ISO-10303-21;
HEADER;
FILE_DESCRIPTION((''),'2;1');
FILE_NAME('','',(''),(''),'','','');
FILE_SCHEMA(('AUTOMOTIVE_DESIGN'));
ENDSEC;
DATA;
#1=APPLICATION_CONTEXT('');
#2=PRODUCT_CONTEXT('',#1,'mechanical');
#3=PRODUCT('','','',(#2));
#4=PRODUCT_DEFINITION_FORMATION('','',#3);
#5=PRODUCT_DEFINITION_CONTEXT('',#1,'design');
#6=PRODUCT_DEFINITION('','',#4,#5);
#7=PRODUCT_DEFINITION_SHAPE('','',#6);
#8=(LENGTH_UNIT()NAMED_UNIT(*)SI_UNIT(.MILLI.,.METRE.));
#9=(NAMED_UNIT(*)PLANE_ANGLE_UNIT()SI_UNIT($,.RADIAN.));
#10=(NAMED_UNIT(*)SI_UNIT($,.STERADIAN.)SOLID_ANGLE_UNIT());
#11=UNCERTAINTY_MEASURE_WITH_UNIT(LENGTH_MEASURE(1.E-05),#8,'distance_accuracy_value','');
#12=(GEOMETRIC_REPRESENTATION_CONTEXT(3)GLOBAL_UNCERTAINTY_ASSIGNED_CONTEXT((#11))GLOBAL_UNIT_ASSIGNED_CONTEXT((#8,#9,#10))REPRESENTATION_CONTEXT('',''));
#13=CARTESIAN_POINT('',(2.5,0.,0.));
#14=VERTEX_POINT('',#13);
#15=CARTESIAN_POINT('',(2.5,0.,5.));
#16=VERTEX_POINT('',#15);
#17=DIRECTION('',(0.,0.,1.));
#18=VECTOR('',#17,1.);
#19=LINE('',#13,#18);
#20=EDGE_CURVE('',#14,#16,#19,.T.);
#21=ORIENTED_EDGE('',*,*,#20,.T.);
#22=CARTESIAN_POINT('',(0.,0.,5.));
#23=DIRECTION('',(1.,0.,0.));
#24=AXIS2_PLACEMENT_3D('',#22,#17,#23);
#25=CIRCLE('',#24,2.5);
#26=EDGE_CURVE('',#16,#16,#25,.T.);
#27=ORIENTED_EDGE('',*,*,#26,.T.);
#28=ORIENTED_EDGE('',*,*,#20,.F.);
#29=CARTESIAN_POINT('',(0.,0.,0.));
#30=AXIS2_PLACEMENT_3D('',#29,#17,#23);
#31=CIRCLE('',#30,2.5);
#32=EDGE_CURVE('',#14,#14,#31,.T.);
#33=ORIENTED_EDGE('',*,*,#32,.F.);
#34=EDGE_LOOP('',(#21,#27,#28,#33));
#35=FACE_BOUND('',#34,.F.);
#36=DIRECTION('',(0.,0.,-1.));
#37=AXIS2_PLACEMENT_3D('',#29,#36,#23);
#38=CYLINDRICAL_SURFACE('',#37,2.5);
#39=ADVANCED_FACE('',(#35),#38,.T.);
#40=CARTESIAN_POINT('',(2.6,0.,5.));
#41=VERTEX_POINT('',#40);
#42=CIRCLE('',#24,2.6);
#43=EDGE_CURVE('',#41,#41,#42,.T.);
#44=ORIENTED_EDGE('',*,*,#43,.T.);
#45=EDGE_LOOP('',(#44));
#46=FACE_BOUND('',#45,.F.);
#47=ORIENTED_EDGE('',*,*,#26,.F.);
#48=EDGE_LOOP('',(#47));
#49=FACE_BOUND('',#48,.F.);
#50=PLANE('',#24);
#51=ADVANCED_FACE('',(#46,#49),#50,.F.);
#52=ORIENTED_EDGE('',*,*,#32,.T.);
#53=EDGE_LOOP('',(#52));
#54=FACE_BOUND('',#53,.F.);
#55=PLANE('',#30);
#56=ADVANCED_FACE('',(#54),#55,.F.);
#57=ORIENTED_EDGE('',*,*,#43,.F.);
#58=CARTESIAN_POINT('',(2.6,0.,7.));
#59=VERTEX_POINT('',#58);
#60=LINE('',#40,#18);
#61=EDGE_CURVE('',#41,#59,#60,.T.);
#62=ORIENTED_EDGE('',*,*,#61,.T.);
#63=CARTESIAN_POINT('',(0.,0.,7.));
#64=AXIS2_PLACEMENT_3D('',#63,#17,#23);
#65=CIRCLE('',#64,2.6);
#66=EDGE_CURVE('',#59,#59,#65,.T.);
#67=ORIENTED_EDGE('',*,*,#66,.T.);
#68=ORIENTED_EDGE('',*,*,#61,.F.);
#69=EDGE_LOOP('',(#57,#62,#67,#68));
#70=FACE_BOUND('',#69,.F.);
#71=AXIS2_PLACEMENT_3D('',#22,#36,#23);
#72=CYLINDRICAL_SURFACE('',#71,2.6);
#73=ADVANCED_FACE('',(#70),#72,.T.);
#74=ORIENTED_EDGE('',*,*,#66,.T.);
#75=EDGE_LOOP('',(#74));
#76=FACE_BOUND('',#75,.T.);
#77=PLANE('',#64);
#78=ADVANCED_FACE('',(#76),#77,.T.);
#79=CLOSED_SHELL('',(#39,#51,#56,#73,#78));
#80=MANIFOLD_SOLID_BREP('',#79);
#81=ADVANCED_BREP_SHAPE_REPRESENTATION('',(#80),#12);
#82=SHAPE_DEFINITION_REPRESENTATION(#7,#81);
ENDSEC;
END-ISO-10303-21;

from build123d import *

# Parameters (mm, degrees)
CYLINDER065_R     = 2.6
CYLINDER065_DEPTH = 2
CYLINDER064_R     = 2.5
CYLINDER064_DEPTH = 5


with BuildPart() as cilindro065:
    # Cylinder065 → Cylinder065 (new body)
    with BuildSketch(Plane.XY.offset(5)):
        Circle(CYLINDER065_R)
    extrude(amount=CYLINDER065_DEPTH)


with BuildPart() as enganche_lego:
    # Cylinder064 → Cylinder064 (new body)
    with BuildSketch(Plane.XY):
        Circle(CYLINDER064_R)
    extrude(amount=CYLINDER064_DEPTH)

    # Fusion022: union Cilindro065
    add(cilindro065.part)


solid = enganche_lego.part
